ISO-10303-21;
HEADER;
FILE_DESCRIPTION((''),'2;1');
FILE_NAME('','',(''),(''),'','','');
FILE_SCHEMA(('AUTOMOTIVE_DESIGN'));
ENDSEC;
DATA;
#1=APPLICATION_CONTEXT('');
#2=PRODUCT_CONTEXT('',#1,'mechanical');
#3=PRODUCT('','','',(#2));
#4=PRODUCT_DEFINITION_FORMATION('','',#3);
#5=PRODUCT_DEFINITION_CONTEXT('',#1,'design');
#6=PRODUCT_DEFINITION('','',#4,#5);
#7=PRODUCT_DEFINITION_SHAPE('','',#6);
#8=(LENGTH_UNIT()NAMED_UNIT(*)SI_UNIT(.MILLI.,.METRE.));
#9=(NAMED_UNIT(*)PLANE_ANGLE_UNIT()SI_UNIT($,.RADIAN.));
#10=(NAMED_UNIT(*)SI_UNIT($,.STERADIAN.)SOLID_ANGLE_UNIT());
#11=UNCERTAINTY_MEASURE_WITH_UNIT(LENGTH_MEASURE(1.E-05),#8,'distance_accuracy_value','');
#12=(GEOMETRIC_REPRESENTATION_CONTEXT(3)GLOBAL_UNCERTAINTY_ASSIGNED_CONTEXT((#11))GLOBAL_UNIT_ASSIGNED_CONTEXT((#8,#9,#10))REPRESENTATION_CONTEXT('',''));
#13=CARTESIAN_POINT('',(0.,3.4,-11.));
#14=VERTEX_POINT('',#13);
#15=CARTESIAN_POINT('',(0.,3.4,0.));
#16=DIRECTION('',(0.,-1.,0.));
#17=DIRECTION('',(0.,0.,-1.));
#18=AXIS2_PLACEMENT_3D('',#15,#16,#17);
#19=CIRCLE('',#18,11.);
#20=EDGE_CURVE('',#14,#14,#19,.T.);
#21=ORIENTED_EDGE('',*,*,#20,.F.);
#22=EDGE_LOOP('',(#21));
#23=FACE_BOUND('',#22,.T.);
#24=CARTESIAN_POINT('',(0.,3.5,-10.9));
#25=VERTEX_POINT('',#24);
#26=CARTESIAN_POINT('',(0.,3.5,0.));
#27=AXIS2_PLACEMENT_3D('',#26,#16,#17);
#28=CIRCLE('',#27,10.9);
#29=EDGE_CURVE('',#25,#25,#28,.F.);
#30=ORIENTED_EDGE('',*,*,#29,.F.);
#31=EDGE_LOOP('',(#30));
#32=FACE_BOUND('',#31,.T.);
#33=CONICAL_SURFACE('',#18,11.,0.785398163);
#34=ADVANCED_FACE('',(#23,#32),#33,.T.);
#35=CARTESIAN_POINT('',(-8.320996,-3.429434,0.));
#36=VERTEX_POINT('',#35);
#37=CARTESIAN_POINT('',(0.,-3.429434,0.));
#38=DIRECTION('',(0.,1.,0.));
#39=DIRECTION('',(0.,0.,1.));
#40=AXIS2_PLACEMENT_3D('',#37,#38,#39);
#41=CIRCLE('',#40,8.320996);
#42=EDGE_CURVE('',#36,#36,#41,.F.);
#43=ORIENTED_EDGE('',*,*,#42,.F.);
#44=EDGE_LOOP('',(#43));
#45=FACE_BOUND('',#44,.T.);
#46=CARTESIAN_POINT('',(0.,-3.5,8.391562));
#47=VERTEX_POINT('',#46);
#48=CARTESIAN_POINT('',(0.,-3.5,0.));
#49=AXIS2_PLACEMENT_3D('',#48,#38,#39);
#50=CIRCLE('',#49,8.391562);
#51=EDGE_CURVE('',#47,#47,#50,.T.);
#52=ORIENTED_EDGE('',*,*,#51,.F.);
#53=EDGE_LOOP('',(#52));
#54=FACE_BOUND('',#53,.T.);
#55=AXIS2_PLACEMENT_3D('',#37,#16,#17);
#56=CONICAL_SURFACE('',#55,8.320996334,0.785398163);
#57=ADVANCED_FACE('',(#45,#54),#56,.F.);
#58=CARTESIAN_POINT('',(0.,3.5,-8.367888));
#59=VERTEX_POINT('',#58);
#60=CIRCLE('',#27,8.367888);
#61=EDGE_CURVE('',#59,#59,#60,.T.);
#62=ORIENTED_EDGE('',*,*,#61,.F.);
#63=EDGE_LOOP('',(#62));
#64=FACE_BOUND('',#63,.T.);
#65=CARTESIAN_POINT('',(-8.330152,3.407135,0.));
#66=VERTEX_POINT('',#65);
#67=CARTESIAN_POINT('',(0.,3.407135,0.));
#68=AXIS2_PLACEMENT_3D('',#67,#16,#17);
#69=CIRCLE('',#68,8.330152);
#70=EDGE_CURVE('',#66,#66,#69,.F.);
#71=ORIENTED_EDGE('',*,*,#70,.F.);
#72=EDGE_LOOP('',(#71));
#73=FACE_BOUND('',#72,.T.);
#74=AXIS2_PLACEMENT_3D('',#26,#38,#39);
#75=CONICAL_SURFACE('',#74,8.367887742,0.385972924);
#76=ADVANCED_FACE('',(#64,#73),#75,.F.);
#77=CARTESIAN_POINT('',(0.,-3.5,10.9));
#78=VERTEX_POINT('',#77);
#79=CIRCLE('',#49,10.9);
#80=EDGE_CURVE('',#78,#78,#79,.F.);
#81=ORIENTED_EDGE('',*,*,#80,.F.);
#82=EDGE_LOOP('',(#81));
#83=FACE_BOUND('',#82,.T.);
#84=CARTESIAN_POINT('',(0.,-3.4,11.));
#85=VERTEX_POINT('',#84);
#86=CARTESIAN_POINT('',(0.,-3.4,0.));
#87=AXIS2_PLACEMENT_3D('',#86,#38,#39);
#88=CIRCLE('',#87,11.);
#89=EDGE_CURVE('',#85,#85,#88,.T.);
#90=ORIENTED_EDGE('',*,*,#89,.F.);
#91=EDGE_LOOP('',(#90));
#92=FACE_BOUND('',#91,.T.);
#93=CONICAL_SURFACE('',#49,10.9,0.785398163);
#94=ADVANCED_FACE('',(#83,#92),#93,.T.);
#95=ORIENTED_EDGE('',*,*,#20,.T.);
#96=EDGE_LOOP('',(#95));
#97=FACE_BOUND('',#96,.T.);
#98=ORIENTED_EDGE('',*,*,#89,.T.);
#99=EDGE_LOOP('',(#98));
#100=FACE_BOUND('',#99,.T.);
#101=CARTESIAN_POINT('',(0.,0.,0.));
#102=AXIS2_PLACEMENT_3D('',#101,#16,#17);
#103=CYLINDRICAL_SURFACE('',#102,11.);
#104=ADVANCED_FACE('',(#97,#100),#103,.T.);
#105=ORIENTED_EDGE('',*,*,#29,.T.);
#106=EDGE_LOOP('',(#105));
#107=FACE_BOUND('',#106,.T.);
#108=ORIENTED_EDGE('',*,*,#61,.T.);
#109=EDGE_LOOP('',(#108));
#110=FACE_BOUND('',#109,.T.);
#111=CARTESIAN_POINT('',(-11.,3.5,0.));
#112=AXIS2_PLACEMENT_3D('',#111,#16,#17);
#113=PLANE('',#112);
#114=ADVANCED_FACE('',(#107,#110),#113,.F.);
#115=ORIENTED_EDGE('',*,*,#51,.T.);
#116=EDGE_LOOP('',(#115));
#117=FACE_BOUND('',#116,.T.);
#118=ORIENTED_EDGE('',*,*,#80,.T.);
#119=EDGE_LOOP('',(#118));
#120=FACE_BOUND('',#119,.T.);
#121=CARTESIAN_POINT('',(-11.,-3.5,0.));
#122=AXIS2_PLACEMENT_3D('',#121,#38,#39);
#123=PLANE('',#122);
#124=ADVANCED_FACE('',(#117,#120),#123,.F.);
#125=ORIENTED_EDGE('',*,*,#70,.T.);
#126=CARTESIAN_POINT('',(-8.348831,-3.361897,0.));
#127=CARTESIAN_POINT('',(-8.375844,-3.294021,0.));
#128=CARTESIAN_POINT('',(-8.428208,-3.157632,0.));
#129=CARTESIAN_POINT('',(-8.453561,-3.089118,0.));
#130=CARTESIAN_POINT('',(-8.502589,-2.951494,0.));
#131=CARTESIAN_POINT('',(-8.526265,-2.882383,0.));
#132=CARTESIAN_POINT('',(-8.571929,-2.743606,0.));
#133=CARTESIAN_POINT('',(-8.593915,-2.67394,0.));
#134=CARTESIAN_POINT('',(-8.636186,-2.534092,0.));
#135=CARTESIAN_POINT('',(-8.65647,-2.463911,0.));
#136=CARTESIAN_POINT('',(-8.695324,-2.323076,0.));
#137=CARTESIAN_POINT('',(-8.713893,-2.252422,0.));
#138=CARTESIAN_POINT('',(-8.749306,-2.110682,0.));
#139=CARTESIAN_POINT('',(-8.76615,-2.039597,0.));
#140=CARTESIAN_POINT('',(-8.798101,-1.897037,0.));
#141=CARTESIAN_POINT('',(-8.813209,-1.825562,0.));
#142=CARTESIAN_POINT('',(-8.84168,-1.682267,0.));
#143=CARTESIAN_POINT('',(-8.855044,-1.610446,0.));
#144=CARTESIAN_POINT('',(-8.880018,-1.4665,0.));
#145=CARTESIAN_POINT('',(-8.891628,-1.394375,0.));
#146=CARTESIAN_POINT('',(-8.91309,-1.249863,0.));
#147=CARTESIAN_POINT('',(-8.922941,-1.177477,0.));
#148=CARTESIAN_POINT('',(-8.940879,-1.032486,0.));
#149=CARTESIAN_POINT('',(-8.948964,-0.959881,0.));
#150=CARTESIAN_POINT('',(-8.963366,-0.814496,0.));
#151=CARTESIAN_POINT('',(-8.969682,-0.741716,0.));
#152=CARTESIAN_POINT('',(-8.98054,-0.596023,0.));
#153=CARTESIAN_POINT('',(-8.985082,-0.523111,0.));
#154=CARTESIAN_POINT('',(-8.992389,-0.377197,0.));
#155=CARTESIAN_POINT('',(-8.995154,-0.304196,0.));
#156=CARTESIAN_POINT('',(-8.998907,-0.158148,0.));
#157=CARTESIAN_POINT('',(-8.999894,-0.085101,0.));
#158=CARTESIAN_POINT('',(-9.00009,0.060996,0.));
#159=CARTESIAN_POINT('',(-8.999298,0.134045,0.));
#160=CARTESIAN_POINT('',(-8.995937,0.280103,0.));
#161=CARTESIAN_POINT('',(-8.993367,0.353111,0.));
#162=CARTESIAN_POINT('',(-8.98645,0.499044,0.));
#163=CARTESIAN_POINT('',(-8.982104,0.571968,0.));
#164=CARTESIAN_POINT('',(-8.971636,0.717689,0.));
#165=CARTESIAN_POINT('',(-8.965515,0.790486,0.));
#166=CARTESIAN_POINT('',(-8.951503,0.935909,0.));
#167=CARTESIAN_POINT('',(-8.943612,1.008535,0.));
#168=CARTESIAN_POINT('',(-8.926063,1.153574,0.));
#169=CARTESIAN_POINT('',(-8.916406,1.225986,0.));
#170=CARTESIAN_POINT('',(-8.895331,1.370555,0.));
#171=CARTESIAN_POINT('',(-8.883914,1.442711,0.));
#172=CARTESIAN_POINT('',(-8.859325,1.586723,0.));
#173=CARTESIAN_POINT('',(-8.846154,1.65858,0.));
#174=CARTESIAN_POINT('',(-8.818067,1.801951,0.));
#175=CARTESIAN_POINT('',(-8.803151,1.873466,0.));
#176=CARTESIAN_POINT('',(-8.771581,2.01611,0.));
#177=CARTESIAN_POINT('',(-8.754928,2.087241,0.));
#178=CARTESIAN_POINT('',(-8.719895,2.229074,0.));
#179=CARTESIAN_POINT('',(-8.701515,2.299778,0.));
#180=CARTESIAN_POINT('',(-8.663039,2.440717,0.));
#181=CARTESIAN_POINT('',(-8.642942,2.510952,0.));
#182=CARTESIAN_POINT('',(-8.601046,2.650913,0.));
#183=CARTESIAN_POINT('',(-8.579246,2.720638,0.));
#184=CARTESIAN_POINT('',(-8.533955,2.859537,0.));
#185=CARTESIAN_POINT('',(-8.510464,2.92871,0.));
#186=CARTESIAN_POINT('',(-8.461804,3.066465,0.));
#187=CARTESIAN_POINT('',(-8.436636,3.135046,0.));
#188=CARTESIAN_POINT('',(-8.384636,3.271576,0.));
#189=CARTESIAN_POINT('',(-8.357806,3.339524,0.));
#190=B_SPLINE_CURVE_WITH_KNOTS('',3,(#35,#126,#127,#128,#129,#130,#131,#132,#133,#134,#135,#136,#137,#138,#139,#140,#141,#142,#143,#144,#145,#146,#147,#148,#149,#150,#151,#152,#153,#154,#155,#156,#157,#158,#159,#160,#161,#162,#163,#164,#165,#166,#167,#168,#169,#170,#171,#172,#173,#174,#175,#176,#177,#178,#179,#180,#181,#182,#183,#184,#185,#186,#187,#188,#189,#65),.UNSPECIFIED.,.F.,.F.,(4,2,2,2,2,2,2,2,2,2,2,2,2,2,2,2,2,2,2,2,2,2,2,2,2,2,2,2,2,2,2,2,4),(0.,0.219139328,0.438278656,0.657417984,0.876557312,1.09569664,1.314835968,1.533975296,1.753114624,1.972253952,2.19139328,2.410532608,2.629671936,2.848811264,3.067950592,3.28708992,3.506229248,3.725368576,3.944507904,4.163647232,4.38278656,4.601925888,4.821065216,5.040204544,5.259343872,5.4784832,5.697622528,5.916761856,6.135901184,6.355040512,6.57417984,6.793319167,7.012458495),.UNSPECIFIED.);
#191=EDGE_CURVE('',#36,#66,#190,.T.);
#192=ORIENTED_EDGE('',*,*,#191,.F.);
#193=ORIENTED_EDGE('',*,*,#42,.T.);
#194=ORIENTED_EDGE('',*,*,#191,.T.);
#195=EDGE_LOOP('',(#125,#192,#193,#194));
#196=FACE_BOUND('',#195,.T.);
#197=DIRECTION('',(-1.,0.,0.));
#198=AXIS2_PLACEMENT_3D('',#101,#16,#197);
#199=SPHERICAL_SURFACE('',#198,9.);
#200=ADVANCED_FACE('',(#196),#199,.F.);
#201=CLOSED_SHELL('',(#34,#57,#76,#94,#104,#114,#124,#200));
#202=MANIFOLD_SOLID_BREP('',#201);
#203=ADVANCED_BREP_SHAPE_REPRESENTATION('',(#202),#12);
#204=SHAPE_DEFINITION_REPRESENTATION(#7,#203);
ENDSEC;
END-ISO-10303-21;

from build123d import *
from OCP.BRepFilletAPI import BRepFilletAPI_MakeChamfer

# Parameters (mm, degrees)
CHAMFER1_SIZE  = 0.1
CHAMFER1_SIZE2 = 0.076325766


with BuildPart() as part:
    # Sketch2 → Revolve1 (revolve)
    with BuildSketch(Plane.XY, mode=Mode.PRIVATE) as revolve1_sk:
        with BuildLine():
            Line((-11, -3.5), (-11, 3.5))
            Line((-11, 3.5), (-8.291561976, 3.5))
            ThreePointArc((-8.291561976, 3.5), (-9, 0), (-8.291561976, -3.5))
            Line((-8.291561976, -3.5), (-11, -3.5))
        make_face()
    revolve(revolve1_sk.sketch.rotate(Axis((0, 0, 0), (0, 1, 0)), 270), axis=Axis((0, 0, 0), (0, 1, 0)))

    # Chamfer1: one chamfer whose edges measure the first distance from different faces: ONE call of the kernel's chamfer builder (chamfer() names one face for all edges)
    chamfer1_edges_1 = [part.edges().sort_by_distance(p)[0] for p in [
        (0, 3.5, 8.291561976),
    ]]
    chamfer1_side_1 = [part.faces().sort_by_distance(p)[0] for p in [
        (0, 0, 9),
    ]]
    chamfer1_edges_2 = [part.edges().sort_by_distance(p)[0] for p in [
        (0, -3.5, 8.291561976),
    ]]
    chamfer1_side_2 = [part.faces().sort_by_distance(p)[0] for p in [
        (0, -3.5, 8.60268896),
    ]]
    chamfer1_edges_3 = [part.edges().sort_by_distance(p)[0] for p in [
        (0, -3.5, 11),
        (0, 3.5, 11),
    ]]
    chamfer1 = BRepFilletAPI_MakeChamfer(part.part.solid().wrapped)
    for e in chamfer1_edges_1:
        chamfer1.Add(CHAMFER1_SIZE, CHAMFER1_SIZE2, e.wrapped, chamfer1_side_1[0].wrapped)  # the first distance lies on this face
    for e in chamfer1_edges_2:
        chamfer1.Add(CHAMFER1_SIZE, CHAMFER1_SIZE2, e.wrapped, chamfer1_side_2[0].wrapped)  # the first distance lies on this face
    for e in chamfer1_edges_3:
        chamfer1.Add(CHAMFER1_SIZE, e.wrapped)
    add(Compound.cast(chamfer1.Shape()), mode=Mode.REPLACE)


solid = part.part
